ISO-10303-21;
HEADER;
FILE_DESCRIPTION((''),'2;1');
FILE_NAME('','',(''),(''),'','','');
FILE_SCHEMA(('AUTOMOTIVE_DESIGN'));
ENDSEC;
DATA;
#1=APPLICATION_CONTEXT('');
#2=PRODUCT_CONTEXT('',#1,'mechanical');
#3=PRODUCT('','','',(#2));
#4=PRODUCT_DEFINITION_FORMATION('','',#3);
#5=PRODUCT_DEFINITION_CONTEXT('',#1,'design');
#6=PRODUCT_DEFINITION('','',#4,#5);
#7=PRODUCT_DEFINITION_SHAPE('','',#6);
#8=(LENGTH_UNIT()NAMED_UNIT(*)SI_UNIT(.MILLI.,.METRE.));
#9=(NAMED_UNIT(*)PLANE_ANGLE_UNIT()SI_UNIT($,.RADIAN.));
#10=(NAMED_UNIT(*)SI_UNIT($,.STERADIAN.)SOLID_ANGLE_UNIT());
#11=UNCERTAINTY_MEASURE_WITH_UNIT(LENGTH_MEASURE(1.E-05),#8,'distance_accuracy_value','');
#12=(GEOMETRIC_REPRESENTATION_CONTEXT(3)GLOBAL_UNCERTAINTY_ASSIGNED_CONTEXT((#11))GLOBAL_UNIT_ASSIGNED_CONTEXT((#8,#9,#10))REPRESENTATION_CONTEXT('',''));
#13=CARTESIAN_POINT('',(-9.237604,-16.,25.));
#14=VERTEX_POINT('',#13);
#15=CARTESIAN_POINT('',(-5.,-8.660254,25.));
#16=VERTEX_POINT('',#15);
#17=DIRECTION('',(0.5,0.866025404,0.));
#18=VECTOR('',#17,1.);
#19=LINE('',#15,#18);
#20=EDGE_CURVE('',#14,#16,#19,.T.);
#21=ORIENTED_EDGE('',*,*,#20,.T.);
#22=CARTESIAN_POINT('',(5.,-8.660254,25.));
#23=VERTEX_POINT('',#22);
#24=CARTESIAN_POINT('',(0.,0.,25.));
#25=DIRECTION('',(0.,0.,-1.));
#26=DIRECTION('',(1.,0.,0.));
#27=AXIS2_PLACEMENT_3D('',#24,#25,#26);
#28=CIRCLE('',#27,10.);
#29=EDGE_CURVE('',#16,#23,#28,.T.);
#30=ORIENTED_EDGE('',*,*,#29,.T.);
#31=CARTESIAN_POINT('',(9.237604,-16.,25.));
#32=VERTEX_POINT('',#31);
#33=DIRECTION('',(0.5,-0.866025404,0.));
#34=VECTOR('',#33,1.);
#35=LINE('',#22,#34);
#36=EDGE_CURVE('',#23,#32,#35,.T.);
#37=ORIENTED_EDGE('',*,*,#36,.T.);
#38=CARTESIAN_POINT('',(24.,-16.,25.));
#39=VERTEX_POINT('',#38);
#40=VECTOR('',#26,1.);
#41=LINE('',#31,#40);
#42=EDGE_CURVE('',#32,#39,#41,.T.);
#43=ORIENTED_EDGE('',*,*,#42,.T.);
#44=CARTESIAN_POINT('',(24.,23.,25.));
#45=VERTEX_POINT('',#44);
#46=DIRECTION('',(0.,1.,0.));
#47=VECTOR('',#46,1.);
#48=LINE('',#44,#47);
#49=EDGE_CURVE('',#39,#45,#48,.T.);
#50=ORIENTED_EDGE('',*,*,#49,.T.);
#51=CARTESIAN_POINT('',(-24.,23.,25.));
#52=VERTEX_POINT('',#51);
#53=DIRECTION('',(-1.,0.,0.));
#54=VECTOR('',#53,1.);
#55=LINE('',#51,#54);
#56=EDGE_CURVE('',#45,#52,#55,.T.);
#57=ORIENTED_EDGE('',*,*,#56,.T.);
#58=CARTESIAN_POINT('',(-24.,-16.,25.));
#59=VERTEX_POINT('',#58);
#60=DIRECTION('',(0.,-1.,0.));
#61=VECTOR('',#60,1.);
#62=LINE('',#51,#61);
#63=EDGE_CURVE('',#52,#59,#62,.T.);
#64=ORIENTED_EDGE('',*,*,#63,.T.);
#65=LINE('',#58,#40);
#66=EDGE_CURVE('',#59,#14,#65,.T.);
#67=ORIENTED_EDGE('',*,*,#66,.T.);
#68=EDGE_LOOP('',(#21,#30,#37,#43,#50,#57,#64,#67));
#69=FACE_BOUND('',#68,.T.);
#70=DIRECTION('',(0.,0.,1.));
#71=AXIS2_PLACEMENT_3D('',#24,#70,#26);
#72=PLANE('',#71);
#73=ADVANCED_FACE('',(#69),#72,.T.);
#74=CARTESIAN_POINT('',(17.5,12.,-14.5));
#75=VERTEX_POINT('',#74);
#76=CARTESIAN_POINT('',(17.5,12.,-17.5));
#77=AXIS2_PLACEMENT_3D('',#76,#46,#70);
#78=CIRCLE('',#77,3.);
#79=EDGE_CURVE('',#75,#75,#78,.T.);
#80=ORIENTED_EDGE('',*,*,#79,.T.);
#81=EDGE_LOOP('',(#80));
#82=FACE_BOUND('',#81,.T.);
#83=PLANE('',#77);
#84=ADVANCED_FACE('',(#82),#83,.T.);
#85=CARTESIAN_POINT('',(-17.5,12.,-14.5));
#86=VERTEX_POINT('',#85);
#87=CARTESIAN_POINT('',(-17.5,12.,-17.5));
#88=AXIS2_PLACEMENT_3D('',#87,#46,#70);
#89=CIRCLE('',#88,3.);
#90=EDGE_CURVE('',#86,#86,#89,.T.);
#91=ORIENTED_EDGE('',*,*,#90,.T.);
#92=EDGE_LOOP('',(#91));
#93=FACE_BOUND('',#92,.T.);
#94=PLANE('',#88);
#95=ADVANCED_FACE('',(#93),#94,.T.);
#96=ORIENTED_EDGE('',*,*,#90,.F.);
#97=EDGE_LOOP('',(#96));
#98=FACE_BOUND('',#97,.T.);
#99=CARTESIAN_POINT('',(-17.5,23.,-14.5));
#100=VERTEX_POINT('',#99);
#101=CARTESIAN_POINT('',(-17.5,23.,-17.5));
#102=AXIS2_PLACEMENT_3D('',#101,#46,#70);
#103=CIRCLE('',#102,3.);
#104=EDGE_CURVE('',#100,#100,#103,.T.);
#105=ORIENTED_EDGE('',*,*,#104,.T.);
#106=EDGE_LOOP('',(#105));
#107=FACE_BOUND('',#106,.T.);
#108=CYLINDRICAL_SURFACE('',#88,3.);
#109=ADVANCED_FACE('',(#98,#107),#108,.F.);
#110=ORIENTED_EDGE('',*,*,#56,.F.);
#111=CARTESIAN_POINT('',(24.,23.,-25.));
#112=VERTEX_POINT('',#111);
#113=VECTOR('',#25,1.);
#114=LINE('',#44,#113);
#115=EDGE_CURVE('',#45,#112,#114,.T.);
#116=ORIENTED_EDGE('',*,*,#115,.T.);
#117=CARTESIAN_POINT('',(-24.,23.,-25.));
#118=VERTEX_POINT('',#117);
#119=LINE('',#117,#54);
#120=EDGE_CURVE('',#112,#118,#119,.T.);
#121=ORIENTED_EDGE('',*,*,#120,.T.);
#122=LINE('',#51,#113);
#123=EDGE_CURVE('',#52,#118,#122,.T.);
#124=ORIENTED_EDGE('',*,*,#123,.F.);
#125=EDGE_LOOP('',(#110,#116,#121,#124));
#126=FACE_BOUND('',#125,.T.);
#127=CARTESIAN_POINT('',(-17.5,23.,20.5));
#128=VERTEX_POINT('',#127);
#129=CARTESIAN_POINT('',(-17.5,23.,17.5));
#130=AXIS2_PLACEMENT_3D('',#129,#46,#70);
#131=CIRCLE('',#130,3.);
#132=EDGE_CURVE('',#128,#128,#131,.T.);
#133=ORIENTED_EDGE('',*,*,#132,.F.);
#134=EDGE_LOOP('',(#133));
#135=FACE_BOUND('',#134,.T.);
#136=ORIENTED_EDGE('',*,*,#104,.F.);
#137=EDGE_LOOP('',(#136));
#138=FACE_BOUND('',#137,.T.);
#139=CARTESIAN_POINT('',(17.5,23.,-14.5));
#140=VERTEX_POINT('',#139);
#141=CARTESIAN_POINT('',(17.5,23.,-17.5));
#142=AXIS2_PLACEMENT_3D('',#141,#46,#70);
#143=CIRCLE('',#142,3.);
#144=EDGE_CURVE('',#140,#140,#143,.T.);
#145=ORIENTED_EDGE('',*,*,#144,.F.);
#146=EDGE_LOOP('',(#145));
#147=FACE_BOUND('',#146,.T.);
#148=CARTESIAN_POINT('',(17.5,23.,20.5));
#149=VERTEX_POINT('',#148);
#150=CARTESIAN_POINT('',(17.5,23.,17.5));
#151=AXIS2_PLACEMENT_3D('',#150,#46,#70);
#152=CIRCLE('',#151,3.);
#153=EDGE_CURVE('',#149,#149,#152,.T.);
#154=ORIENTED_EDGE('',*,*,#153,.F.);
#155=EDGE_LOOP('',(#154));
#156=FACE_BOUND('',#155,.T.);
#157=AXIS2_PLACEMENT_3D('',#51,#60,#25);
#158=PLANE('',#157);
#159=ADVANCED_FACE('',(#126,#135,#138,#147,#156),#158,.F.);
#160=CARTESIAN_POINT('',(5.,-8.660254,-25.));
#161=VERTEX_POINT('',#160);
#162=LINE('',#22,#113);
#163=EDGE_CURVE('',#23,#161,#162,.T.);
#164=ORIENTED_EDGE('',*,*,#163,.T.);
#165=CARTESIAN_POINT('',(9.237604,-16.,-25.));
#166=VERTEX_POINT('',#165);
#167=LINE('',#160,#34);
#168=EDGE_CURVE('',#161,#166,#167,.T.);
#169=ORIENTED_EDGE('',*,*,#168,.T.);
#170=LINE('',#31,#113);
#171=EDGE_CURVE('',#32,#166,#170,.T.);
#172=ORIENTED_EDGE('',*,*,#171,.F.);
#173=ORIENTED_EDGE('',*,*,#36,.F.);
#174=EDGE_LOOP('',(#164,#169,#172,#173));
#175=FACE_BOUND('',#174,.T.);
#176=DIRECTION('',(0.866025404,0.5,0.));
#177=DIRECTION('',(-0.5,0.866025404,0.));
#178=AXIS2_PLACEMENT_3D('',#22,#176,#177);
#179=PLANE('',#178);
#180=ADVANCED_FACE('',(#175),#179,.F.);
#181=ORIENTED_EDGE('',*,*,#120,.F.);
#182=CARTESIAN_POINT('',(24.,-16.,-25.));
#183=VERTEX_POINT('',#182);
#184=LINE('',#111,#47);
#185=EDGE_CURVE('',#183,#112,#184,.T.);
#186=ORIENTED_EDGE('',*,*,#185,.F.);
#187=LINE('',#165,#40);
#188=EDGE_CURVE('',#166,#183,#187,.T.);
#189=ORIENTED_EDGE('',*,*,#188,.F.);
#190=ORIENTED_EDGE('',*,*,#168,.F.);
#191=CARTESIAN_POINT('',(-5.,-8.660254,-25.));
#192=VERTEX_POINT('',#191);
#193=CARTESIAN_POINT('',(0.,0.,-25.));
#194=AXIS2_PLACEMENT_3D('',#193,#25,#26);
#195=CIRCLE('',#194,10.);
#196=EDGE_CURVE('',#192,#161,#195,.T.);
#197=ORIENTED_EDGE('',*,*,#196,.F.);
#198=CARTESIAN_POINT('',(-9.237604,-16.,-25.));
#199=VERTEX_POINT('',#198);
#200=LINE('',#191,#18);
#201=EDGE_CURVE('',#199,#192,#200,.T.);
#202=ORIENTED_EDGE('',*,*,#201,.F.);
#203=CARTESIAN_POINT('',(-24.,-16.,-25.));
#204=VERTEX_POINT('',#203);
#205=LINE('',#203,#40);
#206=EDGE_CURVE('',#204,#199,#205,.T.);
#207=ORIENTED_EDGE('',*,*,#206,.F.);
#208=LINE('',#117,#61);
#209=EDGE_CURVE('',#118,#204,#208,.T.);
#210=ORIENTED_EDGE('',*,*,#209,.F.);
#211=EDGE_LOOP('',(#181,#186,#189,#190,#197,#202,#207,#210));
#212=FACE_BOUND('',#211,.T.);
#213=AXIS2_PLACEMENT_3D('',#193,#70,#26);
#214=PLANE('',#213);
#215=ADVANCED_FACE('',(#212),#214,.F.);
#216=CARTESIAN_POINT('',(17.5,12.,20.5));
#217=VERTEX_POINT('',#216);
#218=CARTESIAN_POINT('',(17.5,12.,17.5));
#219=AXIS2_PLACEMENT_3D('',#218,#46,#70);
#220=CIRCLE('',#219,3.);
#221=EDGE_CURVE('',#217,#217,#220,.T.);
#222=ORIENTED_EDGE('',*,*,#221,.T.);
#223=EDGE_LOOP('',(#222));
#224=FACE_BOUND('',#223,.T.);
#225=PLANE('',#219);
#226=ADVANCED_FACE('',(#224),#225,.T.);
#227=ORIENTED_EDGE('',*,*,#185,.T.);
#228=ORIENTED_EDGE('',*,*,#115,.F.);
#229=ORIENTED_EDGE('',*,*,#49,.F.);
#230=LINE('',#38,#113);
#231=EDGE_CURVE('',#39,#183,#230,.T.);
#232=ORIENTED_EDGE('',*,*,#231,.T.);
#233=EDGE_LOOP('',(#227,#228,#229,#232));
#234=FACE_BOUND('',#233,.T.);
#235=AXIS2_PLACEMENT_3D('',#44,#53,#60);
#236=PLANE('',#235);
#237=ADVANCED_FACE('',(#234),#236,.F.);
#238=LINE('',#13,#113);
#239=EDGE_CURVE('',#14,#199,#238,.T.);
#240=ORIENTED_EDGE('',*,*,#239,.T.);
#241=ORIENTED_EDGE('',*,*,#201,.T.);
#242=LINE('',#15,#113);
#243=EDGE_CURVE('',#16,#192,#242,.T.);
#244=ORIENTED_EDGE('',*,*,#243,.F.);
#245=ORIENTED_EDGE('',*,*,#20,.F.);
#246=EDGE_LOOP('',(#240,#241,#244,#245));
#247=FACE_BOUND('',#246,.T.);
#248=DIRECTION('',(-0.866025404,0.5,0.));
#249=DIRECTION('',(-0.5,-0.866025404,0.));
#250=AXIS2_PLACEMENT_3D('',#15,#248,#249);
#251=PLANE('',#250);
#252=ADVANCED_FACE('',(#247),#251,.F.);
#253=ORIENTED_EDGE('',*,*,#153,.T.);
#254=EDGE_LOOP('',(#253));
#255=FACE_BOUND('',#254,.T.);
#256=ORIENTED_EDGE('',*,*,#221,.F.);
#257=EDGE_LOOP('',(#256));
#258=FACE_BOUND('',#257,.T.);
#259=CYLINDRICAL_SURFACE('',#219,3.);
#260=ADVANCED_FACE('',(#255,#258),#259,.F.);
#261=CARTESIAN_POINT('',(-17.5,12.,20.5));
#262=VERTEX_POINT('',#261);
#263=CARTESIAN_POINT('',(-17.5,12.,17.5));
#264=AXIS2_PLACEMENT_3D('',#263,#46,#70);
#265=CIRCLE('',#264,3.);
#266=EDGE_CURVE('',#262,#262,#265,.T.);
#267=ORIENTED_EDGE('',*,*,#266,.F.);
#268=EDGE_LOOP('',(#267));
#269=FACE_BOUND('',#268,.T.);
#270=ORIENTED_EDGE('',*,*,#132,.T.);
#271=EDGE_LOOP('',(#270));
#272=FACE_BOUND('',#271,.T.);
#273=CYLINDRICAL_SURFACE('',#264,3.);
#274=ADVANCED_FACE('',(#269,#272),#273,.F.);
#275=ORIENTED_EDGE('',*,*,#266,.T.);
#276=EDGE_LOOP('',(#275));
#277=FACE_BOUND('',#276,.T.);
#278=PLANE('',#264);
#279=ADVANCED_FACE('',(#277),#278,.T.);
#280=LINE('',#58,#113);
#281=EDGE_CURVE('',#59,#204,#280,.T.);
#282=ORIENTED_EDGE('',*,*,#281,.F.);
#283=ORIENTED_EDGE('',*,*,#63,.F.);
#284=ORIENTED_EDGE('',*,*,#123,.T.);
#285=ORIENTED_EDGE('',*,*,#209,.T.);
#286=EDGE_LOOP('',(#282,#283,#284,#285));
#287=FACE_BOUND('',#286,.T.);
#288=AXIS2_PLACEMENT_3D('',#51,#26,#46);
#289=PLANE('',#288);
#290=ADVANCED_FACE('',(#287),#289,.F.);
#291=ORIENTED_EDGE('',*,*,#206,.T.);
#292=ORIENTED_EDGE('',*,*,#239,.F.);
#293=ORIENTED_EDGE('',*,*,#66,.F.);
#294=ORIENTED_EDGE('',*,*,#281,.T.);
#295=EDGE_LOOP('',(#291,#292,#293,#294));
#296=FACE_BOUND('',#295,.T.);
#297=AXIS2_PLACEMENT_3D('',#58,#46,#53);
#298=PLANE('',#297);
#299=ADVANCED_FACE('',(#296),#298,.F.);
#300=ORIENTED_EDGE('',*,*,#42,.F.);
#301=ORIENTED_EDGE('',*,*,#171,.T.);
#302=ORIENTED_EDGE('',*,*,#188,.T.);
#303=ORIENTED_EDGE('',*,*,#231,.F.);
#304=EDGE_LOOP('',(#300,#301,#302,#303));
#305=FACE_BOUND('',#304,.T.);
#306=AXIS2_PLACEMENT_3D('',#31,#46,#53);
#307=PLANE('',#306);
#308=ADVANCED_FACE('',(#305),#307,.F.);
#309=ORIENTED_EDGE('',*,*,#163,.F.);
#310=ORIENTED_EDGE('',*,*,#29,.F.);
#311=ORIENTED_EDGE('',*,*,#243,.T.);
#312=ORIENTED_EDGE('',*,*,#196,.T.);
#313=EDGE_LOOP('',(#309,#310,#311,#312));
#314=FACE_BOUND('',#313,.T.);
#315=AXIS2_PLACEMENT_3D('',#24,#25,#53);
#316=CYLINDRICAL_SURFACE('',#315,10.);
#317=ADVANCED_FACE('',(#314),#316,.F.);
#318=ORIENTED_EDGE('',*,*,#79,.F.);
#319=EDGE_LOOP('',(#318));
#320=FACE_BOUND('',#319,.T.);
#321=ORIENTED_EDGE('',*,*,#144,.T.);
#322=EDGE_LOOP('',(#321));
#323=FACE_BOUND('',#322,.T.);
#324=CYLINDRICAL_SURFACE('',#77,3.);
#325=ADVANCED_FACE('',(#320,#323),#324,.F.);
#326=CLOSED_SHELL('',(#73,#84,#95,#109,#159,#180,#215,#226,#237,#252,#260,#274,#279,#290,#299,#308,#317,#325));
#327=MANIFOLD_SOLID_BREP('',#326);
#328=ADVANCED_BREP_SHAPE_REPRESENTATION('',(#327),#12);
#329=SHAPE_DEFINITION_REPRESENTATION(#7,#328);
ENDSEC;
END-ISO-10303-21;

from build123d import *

# Parameters (mm, degrees)
BOSS_EXTRUDE1_DEPTH = 25
SKETCH2_R           = 3
CUT_EXTRUDE1_DEPTH  = 11


with BuildPart() as part:
    # Sketch1 → Boss-Extrude1 (new, symmetric)
    with BuildSketch(Plane.XY):
        with BuildLine():
            Line((-24, 23), (24, 23))
            Line((24, 23), (24, -16))
            Line((24, -16), (9.237604307, -16))
            Line((9.237604307, -16), (5, -8.660254038))
            ThreePointArc((5, -8.660254038), (0, 10), (-5, -8.660254038))
            Line((-5, -8.660254038), (-9.237604307, -16))
            Line((-9.237604307, -16), (-24, -16))
            Line((-24, -16), (-24, 23))
        make_face()
    extrude(amount=BOSS_EXTRUDE1_DEPTH, both=True)

    # Sketch2 → Cut-Extrude1 (cut)
    with BuildSketch(Plane(origin=(0, 23, 0), x_dir=(1, 0, 0), z_dir=(0, 1, 0))):
        with Locations(Location((-17.5, 17.5, 0), (0, 0, 270))):
            Circle(SKETCH2_R)
        with Locations(Location((17.5, 17.5, 0), (0, 0, 270))):
            Circle(SKETCH2_R)
        with Locations(Location((17.5, -17.5, 0), (0, 0, 270))):
            Circle(SKETCH2_R)
        with Locations(Location((-17.5, -17.5, 0), (0, 0, 270))):
            Circle(SKETCH2_R)
    extrude(amount=-CUT_EXTRUDE1_DEPTH, mode=Mode.SUBTRACT)


solid = part.part
